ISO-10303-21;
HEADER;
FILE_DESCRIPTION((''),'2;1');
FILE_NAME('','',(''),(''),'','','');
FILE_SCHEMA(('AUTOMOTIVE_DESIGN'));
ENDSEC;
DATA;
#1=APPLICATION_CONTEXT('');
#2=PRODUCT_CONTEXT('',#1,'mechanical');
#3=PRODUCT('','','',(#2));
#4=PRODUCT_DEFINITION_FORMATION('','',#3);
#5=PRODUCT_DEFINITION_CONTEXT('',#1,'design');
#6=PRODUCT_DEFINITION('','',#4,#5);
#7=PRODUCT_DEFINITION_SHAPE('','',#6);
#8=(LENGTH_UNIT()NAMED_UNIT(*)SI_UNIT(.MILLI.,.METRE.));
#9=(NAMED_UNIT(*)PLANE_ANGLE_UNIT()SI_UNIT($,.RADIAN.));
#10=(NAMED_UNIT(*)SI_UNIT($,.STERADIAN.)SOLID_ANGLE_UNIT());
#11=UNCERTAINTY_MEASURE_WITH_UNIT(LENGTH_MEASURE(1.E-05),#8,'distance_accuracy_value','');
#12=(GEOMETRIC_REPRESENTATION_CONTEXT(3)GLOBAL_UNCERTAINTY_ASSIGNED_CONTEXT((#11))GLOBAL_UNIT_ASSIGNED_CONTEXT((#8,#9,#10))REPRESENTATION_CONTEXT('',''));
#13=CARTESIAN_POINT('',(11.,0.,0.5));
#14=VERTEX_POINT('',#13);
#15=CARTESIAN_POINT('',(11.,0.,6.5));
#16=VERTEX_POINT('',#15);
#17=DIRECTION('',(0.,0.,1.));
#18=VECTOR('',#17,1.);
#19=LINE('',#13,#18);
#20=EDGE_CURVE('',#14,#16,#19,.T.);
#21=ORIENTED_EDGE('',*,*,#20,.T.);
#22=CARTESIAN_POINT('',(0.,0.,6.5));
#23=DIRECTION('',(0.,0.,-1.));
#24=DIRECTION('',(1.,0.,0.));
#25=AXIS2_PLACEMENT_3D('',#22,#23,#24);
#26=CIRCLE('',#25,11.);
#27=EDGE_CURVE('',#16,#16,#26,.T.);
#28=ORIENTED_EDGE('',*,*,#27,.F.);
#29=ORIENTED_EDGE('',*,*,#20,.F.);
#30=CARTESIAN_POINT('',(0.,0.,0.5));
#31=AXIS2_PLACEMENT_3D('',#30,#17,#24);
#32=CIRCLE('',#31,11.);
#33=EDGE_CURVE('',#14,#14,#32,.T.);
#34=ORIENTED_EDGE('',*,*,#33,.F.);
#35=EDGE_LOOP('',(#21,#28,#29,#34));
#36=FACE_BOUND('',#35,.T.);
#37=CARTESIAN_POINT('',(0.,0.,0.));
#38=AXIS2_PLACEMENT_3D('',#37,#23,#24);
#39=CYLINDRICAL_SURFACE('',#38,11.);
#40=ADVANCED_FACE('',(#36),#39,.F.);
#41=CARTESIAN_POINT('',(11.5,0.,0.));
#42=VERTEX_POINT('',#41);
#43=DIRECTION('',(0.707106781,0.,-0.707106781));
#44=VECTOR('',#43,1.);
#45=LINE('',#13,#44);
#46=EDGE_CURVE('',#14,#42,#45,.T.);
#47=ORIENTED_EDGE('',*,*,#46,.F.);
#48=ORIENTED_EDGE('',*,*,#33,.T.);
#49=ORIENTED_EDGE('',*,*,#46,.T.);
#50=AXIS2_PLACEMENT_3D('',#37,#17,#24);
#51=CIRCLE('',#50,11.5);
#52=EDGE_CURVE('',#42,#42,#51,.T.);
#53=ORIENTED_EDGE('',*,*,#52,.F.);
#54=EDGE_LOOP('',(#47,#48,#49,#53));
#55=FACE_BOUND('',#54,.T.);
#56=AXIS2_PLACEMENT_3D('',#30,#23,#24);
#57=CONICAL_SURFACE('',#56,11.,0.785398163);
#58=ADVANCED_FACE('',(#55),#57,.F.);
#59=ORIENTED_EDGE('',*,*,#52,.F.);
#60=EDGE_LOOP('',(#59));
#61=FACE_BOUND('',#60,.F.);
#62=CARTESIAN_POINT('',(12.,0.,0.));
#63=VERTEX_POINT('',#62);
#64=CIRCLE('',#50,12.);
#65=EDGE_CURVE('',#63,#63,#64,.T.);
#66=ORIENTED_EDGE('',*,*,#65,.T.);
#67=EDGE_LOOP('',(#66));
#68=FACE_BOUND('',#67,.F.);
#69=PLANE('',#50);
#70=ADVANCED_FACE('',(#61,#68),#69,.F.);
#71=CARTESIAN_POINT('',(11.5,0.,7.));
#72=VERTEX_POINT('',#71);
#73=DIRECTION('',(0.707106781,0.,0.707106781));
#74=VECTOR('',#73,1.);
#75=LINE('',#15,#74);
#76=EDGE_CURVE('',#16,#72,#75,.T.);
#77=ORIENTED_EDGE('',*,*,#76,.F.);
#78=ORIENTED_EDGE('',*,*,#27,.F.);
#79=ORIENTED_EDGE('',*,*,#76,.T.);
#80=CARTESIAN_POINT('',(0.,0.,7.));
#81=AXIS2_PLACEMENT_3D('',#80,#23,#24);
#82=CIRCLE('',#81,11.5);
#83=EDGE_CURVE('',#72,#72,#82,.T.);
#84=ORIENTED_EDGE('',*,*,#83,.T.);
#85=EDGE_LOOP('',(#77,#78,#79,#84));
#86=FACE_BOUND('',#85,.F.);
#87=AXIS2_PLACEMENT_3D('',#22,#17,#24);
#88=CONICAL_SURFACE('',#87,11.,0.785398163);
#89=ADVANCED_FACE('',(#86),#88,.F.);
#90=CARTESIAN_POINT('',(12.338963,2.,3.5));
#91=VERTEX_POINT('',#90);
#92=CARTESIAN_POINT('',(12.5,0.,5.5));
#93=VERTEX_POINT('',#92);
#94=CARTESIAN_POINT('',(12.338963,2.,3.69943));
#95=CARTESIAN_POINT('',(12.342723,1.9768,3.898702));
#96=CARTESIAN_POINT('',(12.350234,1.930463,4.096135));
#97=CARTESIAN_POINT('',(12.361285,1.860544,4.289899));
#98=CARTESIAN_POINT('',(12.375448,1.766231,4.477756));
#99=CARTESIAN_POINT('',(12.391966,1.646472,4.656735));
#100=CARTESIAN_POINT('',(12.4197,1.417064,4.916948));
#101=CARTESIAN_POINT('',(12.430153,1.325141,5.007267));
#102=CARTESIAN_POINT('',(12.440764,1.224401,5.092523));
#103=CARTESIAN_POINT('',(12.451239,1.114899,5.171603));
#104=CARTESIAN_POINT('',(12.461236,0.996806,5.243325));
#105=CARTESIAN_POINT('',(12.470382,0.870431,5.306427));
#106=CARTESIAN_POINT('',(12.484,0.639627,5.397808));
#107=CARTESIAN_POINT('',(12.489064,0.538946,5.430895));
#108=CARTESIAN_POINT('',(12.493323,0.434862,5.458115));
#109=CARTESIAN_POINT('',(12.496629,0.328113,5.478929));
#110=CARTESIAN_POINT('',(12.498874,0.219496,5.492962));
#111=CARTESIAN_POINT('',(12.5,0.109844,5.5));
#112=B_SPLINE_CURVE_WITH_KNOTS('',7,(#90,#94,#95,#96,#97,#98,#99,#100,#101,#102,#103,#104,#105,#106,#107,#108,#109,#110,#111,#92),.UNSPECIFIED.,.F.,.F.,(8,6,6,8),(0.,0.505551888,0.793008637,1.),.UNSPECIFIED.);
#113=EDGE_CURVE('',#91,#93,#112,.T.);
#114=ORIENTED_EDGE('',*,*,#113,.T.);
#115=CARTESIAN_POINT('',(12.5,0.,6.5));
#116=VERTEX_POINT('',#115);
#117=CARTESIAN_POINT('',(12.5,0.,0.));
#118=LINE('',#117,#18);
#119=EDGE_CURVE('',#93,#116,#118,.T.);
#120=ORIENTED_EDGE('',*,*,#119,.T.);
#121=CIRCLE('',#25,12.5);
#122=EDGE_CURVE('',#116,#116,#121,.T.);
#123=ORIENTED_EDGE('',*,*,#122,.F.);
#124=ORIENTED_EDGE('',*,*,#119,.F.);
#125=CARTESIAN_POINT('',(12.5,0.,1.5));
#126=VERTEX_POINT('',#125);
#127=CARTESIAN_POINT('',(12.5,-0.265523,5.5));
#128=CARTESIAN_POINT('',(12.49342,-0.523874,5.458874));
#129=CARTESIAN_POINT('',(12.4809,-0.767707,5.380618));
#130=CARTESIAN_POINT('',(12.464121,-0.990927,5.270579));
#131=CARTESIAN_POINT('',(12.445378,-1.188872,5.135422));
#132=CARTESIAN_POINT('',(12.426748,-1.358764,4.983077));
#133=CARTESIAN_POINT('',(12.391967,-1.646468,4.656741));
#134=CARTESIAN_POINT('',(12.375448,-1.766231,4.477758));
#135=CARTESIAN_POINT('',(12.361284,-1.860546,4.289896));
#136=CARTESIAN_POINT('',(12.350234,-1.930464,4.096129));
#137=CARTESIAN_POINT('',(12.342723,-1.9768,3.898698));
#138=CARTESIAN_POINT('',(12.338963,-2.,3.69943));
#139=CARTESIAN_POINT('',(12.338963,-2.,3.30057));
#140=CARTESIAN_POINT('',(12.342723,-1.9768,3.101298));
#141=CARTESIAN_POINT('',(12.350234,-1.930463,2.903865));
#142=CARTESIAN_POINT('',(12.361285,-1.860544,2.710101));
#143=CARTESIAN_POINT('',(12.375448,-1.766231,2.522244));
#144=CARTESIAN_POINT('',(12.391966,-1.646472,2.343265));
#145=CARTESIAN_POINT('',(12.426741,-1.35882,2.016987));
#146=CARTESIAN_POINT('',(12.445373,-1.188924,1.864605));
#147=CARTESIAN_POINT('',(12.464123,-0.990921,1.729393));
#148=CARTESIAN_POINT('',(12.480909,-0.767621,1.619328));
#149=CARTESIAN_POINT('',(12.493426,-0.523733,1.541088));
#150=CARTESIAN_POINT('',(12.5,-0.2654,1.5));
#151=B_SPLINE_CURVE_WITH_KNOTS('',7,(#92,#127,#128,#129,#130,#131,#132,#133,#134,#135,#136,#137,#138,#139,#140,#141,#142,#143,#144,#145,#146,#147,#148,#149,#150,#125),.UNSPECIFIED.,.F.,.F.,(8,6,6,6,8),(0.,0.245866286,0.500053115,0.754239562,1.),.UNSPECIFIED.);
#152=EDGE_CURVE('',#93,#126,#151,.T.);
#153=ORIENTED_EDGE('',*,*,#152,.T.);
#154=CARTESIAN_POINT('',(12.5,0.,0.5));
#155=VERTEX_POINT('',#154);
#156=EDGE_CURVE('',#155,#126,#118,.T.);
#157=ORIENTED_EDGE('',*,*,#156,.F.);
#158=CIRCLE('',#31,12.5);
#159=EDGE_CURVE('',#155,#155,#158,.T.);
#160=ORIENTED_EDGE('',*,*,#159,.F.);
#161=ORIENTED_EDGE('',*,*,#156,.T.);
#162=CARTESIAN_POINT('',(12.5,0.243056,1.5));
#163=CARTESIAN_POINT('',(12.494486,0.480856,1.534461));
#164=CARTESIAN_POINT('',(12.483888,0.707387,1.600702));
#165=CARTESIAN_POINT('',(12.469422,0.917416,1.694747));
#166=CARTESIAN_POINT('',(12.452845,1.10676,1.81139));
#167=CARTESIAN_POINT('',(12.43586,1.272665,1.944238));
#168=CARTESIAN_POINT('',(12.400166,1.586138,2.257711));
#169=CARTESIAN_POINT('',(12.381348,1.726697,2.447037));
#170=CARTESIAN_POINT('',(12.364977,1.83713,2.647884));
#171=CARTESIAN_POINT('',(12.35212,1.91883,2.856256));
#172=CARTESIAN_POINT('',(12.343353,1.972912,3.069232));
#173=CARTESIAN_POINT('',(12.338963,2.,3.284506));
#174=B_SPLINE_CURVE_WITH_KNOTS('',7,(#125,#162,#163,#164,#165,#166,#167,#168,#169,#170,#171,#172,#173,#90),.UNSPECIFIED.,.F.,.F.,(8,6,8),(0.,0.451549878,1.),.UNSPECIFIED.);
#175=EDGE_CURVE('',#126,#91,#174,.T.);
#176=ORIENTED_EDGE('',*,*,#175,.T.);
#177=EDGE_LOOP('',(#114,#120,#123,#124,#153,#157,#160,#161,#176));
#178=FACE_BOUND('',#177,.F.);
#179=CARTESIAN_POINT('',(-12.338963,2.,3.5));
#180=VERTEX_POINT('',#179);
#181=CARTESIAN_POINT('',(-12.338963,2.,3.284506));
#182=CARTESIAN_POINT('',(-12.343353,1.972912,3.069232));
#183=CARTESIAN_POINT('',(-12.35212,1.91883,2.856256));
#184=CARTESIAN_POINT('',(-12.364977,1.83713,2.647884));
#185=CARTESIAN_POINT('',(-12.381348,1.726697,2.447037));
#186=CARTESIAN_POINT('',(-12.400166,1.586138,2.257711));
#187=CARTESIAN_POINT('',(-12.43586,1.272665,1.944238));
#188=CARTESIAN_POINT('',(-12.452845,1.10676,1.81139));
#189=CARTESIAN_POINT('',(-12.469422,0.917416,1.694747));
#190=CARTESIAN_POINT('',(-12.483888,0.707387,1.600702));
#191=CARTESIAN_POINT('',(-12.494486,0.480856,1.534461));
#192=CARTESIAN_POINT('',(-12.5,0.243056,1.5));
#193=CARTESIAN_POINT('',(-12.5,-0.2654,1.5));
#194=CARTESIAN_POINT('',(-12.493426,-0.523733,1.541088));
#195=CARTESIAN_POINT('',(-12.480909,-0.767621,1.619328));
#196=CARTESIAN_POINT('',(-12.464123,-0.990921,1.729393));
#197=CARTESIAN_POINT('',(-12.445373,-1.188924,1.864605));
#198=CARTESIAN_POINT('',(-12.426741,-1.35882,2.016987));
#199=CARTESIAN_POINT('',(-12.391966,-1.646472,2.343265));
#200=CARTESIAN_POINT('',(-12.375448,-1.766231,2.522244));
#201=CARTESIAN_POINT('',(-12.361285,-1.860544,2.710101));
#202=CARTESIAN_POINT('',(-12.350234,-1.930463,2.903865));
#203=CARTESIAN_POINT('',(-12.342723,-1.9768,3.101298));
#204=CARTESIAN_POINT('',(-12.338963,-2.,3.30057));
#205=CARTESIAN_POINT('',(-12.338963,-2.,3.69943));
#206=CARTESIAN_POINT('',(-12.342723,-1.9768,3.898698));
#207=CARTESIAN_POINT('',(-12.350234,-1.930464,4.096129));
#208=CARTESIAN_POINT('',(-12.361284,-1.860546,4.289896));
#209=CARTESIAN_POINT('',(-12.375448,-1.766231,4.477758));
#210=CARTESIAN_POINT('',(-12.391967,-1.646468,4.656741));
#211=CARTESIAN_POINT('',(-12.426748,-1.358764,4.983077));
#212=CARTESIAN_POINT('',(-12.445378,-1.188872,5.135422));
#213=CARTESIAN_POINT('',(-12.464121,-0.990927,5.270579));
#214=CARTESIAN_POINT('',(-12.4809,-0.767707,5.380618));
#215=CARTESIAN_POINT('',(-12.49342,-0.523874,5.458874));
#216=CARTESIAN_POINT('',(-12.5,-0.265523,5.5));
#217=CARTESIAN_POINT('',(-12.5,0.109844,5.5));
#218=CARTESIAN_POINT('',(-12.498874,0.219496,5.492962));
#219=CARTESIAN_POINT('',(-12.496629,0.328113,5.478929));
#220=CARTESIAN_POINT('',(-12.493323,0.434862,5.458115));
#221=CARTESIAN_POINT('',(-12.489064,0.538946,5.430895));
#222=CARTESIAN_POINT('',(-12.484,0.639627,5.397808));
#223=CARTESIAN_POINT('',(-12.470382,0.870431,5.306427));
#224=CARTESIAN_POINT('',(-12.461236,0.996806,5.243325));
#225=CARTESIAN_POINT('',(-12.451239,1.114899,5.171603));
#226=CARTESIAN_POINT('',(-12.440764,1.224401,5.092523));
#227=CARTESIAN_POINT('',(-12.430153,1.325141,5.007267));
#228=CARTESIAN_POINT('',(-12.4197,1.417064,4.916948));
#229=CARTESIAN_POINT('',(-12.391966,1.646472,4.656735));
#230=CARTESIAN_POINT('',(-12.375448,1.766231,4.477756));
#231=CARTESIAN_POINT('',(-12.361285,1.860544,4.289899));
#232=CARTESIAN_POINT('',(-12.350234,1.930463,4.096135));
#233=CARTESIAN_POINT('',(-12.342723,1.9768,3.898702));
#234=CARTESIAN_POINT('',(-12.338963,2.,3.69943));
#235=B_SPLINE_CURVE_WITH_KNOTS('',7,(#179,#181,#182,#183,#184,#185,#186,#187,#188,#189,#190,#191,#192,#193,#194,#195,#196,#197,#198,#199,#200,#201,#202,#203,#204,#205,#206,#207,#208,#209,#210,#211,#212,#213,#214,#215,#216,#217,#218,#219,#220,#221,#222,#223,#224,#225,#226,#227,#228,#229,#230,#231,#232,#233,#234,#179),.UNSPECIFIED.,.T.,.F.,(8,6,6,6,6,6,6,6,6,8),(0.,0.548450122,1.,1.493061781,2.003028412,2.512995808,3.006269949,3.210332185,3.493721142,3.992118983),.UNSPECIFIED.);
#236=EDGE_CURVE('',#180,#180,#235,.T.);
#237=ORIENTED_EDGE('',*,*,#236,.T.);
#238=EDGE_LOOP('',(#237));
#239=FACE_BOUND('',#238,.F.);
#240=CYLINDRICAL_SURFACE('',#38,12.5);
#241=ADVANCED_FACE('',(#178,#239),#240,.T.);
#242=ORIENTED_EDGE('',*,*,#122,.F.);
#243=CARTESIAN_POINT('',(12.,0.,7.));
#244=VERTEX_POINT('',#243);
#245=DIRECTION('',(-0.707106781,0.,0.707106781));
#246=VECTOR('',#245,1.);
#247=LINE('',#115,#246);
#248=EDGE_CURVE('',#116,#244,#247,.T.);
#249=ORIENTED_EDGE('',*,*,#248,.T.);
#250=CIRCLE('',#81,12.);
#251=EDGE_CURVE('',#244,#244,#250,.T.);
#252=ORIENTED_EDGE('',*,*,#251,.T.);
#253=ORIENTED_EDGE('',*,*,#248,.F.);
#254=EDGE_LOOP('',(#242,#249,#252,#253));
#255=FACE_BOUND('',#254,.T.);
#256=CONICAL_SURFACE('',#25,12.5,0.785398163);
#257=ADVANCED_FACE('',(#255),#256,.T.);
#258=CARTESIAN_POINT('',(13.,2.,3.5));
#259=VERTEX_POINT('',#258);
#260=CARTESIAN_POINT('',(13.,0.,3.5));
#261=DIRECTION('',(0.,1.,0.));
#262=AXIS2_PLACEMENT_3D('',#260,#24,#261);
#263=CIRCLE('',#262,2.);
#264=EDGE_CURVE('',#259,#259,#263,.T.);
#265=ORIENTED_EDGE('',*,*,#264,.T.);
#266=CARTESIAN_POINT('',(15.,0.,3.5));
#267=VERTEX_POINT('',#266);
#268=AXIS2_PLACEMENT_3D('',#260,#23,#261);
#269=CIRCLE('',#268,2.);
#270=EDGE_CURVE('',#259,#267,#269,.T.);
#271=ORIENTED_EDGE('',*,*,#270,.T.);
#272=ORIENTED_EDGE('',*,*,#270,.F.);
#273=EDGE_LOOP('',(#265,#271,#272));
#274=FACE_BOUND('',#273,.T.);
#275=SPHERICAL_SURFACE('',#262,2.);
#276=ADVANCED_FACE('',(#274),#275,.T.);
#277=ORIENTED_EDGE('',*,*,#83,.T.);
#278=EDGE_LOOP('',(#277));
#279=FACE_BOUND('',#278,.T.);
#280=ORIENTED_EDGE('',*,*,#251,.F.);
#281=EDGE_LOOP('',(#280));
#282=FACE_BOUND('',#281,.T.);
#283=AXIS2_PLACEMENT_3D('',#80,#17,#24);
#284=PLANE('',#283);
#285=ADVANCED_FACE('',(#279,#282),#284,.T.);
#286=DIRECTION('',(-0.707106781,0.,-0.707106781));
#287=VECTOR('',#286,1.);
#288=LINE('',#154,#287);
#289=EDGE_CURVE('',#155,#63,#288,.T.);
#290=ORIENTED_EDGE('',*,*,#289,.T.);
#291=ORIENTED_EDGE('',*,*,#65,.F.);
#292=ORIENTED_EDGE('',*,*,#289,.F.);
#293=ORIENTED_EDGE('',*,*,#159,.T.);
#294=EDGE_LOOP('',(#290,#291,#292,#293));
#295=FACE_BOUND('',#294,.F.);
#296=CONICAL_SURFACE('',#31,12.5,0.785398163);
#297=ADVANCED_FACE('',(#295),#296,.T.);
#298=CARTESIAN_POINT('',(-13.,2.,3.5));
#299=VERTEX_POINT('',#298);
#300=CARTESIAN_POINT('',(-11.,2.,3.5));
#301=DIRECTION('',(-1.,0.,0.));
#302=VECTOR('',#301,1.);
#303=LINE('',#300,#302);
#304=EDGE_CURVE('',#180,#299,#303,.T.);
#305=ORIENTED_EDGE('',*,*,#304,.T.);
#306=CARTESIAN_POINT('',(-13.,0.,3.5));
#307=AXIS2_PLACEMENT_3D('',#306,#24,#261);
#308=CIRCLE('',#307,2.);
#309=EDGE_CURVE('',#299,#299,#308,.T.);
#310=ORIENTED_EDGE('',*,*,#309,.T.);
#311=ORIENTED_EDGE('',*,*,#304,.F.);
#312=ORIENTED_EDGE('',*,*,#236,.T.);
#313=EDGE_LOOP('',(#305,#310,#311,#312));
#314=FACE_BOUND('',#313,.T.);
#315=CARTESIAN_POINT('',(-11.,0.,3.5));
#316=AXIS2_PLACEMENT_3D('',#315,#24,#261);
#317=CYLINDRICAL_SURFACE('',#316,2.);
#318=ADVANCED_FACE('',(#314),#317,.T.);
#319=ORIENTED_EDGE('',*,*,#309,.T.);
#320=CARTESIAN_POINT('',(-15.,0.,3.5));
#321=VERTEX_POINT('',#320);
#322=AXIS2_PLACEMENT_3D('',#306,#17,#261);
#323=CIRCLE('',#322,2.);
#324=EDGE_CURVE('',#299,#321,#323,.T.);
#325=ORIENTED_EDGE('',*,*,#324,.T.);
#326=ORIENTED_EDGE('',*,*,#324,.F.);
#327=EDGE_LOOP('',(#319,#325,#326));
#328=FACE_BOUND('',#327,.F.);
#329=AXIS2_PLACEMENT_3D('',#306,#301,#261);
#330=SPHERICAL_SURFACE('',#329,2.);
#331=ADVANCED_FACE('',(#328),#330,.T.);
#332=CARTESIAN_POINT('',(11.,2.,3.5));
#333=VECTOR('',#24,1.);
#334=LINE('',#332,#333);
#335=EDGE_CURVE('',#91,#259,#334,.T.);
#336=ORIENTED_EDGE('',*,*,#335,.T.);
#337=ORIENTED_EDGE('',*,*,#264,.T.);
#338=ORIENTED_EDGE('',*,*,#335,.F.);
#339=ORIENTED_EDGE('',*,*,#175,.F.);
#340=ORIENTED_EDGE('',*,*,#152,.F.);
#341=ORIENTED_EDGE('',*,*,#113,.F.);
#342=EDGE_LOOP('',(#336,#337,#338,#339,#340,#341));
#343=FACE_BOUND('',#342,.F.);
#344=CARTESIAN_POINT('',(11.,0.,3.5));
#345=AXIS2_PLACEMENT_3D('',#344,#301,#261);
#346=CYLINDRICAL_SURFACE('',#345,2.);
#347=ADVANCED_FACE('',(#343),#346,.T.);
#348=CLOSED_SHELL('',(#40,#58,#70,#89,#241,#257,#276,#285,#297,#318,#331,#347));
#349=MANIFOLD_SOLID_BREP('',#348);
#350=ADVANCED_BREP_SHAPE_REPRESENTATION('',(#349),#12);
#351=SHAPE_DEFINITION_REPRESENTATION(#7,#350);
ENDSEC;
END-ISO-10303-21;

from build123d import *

# Parameters (mm, degrees)
F0_R     = 12.5
F0_R_2   = 11
F1_DEPTH = 7
F2_SIZE  = 0.5
F4_R     = 2
F5_DEPTH = 4
F7_R     = 2


with BuildPart() as f1:
    # F0 (on Top) → F1 (new body)
    with BuildSketch(Plane.XY):
        Circle(F0_R)
        Circle(F0_R_2, mode=Mode.SUBTRACT)
    extrude(amount=F1_DEPTH)

    # F2
    f2_edges = [f1.edges().sort_by_distance(p)[0] for p in [
        (-11, 0, 7),
        (-12.5, 0, 7),
        (-12.5, 0, 0),
        (-11, 0, 0),
    ]]
    chamfer(f2_edges, length=F2_SIZE)

    # F4 (on offset) → F5 (join)
    with BuildSketch(Plane.YZ.offset(11)):
        with Locations((0, 3.5)):
            Circle(F4_R)
    extrude(amount=F5_DEPTH)

    # F6: F1 across plane


with BuildPart() as f1_1:
    add(f1.part)
    add(f1.part.mirror(Plane.YZ))

    # F7
    f7_edges = [f1_1.edges().sort_by_distance(p)[0] for p in [
        (-15, -2, 3.5),
        (15, -2, 3.5),
    ]]
    fillet(f7_edges, radius=F7_R)


solid = f1_1.part
